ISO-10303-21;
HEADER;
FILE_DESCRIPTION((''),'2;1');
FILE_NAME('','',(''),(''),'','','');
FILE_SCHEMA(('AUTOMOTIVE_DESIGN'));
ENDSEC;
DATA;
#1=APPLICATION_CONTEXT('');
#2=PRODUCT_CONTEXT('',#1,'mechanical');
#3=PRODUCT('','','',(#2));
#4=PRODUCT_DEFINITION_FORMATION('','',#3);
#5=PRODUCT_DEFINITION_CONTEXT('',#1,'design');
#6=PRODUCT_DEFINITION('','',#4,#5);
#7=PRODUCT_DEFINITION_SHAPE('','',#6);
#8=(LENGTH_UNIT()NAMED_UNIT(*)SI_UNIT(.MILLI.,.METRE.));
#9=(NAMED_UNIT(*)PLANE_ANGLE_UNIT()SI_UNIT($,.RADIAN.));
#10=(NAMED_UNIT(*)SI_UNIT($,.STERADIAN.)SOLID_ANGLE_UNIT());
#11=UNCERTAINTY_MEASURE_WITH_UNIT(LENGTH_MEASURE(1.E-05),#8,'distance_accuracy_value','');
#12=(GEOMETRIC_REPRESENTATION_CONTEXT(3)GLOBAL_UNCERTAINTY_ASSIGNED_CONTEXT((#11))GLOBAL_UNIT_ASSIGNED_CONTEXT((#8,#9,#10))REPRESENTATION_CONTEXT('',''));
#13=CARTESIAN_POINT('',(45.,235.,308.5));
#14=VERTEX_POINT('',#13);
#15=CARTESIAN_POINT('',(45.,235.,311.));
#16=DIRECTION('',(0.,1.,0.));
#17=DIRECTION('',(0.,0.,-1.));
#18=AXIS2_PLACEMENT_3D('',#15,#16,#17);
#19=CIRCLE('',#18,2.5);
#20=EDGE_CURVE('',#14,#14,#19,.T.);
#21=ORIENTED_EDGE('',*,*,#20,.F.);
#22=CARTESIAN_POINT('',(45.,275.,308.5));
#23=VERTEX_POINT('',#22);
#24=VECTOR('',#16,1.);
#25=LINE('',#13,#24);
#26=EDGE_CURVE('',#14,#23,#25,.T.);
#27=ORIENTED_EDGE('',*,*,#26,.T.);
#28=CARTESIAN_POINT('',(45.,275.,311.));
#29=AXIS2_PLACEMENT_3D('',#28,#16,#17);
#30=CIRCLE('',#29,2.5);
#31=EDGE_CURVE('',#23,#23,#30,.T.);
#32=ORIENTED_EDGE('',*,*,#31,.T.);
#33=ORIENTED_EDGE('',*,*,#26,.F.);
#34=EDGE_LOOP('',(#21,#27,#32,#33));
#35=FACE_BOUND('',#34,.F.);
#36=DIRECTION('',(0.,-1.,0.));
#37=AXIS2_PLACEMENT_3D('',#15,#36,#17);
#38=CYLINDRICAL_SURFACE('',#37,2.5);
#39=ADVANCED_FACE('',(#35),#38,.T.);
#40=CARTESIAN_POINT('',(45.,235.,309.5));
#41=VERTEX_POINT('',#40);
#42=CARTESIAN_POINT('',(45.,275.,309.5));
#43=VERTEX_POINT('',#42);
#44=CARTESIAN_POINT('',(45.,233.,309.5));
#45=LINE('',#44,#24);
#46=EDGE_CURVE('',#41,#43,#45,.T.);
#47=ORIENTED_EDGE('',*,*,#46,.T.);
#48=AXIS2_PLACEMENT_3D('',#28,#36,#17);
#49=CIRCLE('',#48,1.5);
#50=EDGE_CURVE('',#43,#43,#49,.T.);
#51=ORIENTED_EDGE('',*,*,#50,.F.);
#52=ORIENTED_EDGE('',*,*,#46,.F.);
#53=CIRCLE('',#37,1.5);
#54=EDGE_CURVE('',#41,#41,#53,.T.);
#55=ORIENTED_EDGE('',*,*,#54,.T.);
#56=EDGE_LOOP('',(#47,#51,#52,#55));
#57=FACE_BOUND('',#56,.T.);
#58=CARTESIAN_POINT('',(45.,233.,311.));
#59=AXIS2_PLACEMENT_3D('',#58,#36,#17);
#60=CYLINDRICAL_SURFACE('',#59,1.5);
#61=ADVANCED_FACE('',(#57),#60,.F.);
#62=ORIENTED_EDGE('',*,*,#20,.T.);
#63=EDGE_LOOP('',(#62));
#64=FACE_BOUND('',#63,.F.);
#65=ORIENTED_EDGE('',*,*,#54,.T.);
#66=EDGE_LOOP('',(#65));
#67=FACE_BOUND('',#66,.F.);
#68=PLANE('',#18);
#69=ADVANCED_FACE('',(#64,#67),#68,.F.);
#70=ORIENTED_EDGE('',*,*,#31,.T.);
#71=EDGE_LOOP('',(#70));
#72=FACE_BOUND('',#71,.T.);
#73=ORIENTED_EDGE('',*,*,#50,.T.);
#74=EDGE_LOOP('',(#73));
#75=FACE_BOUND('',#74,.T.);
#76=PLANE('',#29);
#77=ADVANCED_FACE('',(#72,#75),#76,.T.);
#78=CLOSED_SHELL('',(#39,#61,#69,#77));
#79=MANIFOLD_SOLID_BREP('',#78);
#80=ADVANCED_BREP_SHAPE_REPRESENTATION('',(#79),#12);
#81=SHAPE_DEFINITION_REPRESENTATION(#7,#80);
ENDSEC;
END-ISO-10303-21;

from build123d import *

# Parameters (mm, degrees)
CYLINDER001_R           = 1.5
CYLINDER001_DEPTH       = 44
CYLINDER001_PITCH_ANGLE = 90
CYLINDER_R              = 2.5
CYLINDER_DEPTH          = 40
CYLINDER_PITCH_ANGLE    = 90
CUT006_PLACEMENT_ANGLE  = 90


with BuildPart() as cilindro001:
    # Cylinder001 → Cylinder001 (new body)
    with BuildSketch(Plane.XY):
        Circle(CYLINDER001_R)
    extrude(amount=CYLINDER001_DEPTH)


with BuildPart() as cilindro001_1:
    # Cylinder001 pitch: moved
    add(cilindro001.part.rotate(Axis((0, 0, 0), (0, 1, 0)), CYLINDER001_PITCH_ANGLE))


with BuildPart() as cilindro001_2:
    # Cylinder001 placement: moved
    add(cilindro001_1.part.moved(Location((-2, 0, 0))))


with BuildPart() as soporte007:
    # Cylinder → Cylinder (new body)
    with BuildSketch(Plane.XY):
        Circle(CYLINDER_R)
    extrude(amount=CYLINDER_DEPTH)


with BuildPart() as soporte007_1:
    # Cylinder pitch: moved
    add(soporte007.part.rotate(Axis((0, 0, 0), (0, 1, 0)), CYLINDER_PITCH_ANGLE))


with BuildPart() as soporte007_2:
    # Cylinder placement: moved
    add(soporte007_1.part)

    # Cut006: cut Cilindro001
    add(cilindro001_2.part, mode=Mode.SUBTRACT)


with BuildPart() as soporte007_3:
    # Cut006 placement: moved
    add(soporte007_2.part.moved(Location((45, 235, 311))).rotate(Axis((45, 235, 311), (0, 0, 1)), CUT006_PLACEMENT_ANGLE))


solid = soporte007_3.part
